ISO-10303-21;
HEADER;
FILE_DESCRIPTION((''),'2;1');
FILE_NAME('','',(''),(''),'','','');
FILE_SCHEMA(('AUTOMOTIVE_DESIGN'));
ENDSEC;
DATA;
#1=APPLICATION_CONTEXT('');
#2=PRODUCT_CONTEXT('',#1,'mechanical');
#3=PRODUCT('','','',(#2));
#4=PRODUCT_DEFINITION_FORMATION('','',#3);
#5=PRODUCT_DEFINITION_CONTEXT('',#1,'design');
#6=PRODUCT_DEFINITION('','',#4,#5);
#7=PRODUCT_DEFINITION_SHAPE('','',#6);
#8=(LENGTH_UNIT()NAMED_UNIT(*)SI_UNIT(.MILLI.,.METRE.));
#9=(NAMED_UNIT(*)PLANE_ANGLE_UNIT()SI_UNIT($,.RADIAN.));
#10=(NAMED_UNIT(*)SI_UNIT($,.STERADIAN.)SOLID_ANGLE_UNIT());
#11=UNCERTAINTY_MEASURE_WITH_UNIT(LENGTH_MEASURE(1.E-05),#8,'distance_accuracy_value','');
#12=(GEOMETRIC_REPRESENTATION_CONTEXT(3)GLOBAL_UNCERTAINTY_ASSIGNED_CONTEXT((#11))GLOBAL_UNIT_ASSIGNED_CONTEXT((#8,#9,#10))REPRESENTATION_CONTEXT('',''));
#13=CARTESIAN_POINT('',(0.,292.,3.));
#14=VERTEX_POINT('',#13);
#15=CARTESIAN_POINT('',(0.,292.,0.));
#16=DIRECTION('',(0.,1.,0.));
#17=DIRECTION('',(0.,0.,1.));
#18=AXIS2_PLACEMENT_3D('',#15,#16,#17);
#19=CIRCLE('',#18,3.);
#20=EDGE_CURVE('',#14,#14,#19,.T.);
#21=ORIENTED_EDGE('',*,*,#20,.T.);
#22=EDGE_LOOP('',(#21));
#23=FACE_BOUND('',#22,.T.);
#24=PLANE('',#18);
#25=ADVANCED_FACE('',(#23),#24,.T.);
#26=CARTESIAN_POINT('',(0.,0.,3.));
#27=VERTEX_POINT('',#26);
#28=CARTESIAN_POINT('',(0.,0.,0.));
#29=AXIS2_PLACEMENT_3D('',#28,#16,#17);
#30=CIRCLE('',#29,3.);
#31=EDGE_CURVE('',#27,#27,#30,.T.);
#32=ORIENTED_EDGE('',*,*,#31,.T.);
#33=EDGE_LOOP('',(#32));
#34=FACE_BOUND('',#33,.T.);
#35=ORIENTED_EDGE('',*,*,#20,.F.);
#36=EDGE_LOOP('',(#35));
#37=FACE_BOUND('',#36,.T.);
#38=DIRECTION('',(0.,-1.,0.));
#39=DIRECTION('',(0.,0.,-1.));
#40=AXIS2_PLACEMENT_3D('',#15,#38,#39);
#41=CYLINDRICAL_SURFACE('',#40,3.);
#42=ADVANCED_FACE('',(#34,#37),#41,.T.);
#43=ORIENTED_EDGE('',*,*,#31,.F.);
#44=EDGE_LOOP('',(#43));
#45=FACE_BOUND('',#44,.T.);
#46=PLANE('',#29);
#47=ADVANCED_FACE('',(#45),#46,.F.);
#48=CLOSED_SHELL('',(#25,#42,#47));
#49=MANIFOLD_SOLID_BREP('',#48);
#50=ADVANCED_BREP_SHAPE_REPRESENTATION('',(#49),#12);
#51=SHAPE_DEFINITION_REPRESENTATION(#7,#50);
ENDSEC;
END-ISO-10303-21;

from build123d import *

# Parameters (mm, degrees)
SKETCH1_R           = 3
BOSS_EXTRUDE1_DEPTH = 292


with BuildPart() as part:
    # Sketch1 → Boss-Extrude1 (new body)
    with BuildSketch(Plane(origin=(0, 0, 0), x_dir=(1, 0, 0), z_dir=(0, 1, 0))):
        Circle(SKETCH1_R)
    extrude(amount=BOSS_EXTRUDE1_DEPTH)


solid = part.part
